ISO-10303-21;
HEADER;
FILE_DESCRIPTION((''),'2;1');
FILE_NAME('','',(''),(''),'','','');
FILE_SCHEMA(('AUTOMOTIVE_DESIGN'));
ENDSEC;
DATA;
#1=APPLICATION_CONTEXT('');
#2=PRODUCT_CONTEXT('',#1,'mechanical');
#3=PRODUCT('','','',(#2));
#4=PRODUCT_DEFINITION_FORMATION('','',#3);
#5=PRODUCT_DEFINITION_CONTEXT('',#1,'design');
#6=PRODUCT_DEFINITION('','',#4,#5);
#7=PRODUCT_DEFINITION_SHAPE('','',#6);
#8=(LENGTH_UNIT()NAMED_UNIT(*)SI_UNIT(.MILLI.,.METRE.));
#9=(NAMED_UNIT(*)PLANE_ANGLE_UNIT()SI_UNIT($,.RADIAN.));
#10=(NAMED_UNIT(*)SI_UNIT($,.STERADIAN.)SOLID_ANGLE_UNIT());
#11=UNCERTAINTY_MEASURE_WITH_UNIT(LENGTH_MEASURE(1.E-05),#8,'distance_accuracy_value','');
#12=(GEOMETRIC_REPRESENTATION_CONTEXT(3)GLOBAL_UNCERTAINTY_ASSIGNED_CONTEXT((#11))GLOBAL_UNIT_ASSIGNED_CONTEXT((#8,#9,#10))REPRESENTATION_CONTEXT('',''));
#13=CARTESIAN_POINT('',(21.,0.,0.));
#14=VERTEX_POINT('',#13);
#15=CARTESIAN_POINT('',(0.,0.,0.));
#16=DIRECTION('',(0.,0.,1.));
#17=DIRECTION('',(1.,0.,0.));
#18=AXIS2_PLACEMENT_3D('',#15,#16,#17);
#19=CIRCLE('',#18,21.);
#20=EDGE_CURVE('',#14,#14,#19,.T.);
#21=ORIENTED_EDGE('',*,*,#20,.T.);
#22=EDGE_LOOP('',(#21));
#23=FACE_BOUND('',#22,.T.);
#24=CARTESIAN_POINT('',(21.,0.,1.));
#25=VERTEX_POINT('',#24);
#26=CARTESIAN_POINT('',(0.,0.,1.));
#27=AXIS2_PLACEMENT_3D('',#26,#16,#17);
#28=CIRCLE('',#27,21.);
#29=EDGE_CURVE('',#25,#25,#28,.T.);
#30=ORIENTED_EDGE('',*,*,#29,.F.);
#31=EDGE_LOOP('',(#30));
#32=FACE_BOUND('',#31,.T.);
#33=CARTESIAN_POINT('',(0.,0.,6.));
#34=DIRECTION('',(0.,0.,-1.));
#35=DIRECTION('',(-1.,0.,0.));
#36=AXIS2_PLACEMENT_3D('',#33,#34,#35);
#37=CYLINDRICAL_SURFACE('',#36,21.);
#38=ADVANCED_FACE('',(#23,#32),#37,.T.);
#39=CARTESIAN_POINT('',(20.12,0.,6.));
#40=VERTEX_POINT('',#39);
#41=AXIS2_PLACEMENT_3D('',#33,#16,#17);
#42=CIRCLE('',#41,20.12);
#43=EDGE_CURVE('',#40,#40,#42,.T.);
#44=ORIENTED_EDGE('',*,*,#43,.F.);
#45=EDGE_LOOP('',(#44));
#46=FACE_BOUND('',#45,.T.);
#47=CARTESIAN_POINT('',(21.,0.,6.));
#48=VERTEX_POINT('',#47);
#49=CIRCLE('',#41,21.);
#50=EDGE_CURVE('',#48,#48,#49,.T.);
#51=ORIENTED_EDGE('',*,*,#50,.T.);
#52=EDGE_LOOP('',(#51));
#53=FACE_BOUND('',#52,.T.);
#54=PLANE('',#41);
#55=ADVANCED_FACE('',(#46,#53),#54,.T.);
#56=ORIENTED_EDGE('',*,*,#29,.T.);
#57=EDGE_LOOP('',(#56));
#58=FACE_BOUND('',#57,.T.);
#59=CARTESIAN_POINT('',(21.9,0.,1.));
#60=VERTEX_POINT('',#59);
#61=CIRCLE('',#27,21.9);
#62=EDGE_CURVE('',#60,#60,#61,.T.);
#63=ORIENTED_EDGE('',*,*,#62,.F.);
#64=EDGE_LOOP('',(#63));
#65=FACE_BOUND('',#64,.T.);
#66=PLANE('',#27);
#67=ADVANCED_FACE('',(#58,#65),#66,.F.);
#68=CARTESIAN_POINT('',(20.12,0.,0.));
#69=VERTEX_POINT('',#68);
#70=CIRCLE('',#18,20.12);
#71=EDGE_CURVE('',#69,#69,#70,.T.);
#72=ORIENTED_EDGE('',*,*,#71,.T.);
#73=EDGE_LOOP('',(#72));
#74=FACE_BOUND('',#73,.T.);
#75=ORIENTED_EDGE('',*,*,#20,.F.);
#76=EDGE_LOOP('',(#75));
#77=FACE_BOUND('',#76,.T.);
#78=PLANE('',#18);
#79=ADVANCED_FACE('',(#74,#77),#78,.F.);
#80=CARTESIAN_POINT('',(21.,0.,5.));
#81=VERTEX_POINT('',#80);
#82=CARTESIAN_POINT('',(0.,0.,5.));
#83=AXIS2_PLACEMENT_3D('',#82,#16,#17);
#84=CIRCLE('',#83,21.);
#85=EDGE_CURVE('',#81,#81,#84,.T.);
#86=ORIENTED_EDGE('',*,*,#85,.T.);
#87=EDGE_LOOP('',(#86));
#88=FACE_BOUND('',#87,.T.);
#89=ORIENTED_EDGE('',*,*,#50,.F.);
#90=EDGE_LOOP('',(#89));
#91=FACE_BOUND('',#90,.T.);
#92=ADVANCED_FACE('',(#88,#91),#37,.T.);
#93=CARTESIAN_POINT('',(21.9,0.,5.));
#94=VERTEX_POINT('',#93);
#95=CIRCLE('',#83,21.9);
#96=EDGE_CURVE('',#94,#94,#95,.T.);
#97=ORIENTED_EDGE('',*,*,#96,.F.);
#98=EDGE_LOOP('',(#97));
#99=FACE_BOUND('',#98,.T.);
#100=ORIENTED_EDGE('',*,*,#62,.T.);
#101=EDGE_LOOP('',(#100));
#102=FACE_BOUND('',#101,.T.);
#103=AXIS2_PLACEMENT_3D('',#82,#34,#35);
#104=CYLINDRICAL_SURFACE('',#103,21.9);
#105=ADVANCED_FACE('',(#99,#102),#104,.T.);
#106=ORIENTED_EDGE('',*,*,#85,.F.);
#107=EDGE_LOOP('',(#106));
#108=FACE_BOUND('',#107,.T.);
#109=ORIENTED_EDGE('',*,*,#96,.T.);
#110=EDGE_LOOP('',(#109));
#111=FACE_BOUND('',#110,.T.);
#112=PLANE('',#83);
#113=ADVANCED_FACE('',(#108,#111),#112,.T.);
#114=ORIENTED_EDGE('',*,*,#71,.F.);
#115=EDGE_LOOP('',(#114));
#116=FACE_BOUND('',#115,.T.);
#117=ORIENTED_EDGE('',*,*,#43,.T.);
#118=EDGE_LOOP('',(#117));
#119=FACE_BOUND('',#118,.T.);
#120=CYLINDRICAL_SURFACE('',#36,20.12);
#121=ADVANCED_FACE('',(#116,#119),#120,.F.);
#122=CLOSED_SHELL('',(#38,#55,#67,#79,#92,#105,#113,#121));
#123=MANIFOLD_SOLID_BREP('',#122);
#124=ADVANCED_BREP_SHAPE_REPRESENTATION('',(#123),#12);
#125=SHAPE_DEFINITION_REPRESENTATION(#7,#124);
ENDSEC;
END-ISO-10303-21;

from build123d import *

# Parameters (mm, degrees)
S01_INNER_RACE_CONTACT_LIPS_R         = 21
S01_INNER_RACE_CONTACT_LIPS_R_2       = 20.12
F_01_INNER_RACE_CONTACT_LIPS_DEPTH    = 6
F_02_START                            = 1
S02_STIFFENED_MIDDLE_OF_SPACER_R      = 21.9
S02_STIFFENED_MIDDLE_OF_SPACER_R_2    = 20.12
F_02_STIFFENED_MIDDLE_OF_SPACER_DEPTH = 4


with BuildPart() as part:
    # S01 - Inner race contact lips → 01 - Inner race contact lips (new body)
    with BuildSketch(Plane.XY):
        Circle(S01_INNER_RACE_CONTACT_LIPS_R)
        Circle(S01_INNER_RACE_CONTACT_LIPS_R_2, mode=Mode.SUBTRACT)
    extrude(amount=F_01_INNER_RACE_CONTACT_LIPS_DEPTH)

    # S02 - Stiffened middle of spacer → 02 - Stiffened middle of spacer (add)
    with BuildSketch(Plane.XY.offset(F_02_START)):
        Circle(S02_STIFFENED_MIDDLE_OF_SPACER_R)
        Circle(S02_STIFFENED_MIDDLE_OF_SPACER_R_2, mode=Mode.SUBTRACT)
    extrude(amount=F_02_STIFFENED_MIDDLE_OF_SPACER_DEPTH)


solid = part.part
